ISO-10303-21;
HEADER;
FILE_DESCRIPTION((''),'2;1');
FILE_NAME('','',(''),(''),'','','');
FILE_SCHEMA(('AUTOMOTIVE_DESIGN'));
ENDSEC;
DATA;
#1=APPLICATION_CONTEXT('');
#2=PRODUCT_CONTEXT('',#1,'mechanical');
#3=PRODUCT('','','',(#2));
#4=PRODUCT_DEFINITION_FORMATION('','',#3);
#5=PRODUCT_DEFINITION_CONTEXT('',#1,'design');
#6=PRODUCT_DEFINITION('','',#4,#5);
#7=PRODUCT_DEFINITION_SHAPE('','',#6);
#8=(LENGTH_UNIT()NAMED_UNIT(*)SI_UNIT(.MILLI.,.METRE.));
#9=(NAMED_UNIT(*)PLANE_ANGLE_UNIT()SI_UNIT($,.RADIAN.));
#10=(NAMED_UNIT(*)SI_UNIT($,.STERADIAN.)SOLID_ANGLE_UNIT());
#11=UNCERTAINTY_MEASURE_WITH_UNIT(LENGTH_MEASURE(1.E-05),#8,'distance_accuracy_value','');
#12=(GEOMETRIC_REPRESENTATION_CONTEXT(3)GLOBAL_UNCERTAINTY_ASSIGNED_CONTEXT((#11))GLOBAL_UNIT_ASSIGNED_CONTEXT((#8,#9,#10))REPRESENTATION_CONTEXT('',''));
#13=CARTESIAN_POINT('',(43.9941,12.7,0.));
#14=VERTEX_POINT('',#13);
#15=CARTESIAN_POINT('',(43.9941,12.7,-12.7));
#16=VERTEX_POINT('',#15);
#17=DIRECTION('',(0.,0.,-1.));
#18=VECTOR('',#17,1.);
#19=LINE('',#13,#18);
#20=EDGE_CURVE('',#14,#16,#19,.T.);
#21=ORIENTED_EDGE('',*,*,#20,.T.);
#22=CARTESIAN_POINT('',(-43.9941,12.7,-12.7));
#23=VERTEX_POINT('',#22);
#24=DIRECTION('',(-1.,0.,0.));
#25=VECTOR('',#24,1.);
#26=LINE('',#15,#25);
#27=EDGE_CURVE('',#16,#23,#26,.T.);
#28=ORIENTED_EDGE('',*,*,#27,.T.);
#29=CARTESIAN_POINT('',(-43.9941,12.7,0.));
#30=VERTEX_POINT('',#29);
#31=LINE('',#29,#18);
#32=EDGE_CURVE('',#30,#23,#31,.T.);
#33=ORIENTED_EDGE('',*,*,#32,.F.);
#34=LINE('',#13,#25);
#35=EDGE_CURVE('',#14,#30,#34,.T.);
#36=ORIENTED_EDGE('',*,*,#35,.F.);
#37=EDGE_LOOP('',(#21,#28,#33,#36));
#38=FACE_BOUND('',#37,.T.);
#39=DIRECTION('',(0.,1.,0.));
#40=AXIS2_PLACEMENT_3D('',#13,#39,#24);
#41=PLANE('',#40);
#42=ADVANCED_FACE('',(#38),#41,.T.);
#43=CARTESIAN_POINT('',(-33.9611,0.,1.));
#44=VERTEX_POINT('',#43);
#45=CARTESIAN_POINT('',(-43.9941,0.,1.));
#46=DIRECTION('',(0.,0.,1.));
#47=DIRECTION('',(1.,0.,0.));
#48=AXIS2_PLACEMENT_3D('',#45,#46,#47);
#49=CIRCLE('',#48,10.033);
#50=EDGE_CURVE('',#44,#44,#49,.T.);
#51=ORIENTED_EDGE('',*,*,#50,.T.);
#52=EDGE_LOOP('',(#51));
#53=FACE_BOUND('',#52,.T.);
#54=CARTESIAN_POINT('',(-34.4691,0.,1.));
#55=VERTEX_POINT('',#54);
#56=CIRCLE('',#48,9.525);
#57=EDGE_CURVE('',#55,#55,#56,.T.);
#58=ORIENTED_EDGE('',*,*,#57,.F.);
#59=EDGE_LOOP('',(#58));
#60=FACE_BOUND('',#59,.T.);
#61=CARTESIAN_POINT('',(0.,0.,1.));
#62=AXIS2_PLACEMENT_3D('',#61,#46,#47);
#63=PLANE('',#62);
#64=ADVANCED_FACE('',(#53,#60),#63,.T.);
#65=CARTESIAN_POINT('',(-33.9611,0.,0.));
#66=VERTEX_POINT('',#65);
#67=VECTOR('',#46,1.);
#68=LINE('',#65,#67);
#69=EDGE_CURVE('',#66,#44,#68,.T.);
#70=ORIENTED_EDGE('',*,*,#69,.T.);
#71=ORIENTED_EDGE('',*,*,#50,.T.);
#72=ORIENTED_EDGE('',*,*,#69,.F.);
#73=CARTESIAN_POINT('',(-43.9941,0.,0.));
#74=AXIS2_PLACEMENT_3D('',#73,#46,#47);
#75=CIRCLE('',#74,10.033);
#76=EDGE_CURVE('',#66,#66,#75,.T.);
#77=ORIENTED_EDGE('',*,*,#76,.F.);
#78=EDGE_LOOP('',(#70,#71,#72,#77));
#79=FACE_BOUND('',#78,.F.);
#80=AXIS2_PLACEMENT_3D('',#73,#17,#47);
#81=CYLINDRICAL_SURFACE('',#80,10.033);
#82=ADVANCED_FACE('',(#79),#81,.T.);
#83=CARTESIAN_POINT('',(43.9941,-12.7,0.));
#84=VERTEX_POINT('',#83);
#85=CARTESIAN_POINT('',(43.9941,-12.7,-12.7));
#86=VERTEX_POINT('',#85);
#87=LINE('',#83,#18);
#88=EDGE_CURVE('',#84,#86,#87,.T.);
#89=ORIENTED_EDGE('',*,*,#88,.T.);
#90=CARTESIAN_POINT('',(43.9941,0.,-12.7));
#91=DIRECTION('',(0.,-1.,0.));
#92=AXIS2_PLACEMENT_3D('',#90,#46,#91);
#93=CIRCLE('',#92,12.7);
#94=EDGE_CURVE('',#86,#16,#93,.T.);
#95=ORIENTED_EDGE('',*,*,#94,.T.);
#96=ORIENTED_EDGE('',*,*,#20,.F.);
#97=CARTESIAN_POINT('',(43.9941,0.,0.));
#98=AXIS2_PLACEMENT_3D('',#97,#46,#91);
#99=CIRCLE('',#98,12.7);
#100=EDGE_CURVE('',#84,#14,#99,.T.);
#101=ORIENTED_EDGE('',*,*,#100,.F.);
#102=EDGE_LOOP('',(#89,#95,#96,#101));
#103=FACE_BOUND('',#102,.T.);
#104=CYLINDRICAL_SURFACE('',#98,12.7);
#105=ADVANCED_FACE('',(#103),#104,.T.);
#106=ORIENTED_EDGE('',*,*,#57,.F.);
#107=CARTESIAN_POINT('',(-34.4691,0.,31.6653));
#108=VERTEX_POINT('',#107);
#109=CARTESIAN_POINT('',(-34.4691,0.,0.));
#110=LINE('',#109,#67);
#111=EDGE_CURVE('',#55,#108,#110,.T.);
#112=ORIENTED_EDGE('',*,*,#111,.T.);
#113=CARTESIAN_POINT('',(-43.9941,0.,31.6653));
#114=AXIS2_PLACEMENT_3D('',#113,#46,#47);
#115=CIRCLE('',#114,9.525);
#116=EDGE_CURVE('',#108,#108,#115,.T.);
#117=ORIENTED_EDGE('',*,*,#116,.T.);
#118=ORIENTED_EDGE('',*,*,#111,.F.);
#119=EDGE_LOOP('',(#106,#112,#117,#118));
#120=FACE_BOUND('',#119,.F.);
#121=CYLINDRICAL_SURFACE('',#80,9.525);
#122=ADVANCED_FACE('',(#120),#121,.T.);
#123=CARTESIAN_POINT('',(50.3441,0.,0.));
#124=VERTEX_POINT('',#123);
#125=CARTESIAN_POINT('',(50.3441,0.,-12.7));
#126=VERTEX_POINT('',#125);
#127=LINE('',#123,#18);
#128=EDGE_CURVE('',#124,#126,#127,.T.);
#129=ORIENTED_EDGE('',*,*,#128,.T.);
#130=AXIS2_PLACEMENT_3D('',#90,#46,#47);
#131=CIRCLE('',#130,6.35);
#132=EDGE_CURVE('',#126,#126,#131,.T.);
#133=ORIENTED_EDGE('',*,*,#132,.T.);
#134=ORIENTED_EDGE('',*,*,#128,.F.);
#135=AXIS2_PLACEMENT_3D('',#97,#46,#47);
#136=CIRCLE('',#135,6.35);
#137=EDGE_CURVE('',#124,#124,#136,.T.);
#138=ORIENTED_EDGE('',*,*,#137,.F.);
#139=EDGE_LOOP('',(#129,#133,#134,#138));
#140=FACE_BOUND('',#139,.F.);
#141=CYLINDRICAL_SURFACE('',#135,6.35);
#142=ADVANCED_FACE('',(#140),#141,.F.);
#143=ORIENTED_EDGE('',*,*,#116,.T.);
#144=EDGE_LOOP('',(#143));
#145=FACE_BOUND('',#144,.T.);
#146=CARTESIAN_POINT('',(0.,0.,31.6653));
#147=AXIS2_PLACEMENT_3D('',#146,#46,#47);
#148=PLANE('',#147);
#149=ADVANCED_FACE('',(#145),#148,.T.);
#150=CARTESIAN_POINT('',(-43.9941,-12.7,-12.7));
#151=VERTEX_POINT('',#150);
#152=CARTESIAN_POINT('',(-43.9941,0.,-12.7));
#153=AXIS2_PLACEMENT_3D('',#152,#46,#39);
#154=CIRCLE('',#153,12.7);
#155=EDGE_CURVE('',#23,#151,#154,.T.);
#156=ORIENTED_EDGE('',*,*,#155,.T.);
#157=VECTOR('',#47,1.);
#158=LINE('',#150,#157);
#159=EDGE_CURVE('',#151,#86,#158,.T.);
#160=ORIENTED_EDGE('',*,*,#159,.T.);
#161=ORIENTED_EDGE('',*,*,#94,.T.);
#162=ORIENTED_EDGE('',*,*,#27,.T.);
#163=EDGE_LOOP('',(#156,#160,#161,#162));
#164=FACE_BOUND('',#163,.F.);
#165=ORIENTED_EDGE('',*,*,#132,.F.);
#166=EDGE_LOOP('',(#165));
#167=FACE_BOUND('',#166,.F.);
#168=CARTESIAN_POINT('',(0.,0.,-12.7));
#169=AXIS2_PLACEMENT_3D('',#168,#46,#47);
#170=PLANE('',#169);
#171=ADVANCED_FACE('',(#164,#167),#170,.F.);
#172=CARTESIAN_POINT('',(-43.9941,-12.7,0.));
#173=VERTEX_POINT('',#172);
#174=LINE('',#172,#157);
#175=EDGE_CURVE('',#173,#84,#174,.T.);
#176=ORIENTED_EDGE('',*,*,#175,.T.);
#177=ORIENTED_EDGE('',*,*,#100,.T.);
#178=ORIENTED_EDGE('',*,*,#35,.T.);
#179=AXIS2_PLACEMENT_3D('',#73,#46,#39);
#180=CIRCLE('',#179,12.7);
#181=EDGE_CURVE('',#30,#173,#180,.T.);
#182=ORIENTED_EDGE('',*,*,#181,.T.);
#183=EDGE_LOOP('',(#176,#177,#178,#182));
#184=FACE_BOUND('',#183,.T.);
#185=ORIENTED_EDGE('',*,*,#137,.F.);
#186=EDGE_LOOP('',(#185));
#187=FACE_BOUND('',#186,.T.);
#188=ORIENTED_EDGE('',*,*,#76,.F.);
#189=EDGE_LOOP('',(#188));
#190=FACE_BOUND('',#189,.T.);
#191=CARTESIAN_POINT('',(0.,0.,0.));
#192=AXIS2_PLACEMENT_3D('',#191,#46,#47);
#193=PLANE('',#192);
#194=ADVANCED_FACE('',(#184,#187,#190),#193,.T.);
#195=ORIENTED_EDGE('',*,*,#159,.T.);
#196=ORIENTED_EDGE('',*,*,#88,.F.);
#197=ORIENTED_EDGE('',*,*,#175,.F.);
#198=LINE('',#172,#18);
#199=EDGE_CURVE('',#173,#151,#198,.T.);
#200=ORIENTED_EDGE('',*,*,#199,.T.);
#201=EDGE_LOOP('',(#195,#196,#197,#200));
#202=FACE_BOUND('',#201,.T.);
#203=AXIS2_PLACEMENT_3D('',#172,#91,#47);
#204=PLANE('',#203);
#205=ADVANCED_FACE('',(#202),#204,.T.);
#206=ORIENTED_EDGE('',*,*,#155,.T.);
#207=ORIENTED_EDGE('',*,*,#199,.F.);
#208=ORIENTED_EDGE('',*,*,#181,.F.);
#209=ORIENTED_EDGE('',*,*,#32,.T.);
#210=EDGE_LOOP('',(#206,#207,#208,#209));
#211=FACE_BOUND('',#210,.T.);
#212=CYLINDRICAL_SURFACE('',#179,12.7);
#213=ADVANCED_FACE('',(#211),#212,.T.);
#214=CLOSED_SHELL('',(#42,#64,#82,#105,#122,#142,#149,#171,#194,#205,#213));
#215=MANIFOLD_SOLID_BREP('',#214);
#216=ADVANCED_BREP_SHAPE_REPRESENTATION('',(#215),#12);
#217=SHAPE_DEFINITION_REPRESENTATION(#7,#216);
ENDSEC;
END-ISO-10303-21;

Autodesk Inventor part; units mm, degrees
ref_plane "YZ Plane" through (0, 0, 0) normal (1, 0, 0) x (0, 1, 0)
ref_plane "XZ Plane" through (0, 0, 0) normal (0, 1, 0) x (-1, 0, 0)
ref_plane "XY Plane" through (0, 0, 0) normal (0, 0, 1) x (1, 0, 0)
sketch "Sketch1" plane through (0, 0, 0) normal (0, 0, 1) x (1, 0, 0)
  circle A0 centre (-43.9941, 0) radius 9.525
  circle A1 centre (43.9941, 0) radius 6.35
  line L0 (43.9941, 0) -> (-43.9941, 0) construction
  line L1 (43.9941, 12.7) -> (-43.9941, 12.7)
  line L2 (-43.9941, -12.7) -> (43.9941, -12.7)
  arc A2 (43.9941, -12.7) -> (43.9941, 12.7) centre (43.9941, 0) ccw
  arc A3 (-43.9941, 12.7) -> (-43.9941, -12.7) centre (-43.9941, 0) ccw
  point P0 (0, 0)
  point P1 (0, 0)
  dimension "d10" = 12.7
  dimension "d11" = 19.05
  dimension "d12" = 87.9881
  dimension "d13" = 12.7
extrude "Extrusion1" add sketch "Sketch1" against normal blind 12.7
extrude "Extrusion2" add sketch "Sketch1" along normal blind 31.6653 and the other way blind 12.7 contours A0
sketch "Sketch2" plane through (0, 0, 0) normal (0, 0, 1) x (1, 0, 0)
  circle A0 centre (-43.9941, 0) radius 9.525 projected
  circle A1 centre (-43.9941, 0) radius 10.033
  point P0 (0, 0)
  dimension "d20" = 20.066
extrude "Extrusion3" add sketch "Sketch2" along normal blind 1
properties part number "Frame"
